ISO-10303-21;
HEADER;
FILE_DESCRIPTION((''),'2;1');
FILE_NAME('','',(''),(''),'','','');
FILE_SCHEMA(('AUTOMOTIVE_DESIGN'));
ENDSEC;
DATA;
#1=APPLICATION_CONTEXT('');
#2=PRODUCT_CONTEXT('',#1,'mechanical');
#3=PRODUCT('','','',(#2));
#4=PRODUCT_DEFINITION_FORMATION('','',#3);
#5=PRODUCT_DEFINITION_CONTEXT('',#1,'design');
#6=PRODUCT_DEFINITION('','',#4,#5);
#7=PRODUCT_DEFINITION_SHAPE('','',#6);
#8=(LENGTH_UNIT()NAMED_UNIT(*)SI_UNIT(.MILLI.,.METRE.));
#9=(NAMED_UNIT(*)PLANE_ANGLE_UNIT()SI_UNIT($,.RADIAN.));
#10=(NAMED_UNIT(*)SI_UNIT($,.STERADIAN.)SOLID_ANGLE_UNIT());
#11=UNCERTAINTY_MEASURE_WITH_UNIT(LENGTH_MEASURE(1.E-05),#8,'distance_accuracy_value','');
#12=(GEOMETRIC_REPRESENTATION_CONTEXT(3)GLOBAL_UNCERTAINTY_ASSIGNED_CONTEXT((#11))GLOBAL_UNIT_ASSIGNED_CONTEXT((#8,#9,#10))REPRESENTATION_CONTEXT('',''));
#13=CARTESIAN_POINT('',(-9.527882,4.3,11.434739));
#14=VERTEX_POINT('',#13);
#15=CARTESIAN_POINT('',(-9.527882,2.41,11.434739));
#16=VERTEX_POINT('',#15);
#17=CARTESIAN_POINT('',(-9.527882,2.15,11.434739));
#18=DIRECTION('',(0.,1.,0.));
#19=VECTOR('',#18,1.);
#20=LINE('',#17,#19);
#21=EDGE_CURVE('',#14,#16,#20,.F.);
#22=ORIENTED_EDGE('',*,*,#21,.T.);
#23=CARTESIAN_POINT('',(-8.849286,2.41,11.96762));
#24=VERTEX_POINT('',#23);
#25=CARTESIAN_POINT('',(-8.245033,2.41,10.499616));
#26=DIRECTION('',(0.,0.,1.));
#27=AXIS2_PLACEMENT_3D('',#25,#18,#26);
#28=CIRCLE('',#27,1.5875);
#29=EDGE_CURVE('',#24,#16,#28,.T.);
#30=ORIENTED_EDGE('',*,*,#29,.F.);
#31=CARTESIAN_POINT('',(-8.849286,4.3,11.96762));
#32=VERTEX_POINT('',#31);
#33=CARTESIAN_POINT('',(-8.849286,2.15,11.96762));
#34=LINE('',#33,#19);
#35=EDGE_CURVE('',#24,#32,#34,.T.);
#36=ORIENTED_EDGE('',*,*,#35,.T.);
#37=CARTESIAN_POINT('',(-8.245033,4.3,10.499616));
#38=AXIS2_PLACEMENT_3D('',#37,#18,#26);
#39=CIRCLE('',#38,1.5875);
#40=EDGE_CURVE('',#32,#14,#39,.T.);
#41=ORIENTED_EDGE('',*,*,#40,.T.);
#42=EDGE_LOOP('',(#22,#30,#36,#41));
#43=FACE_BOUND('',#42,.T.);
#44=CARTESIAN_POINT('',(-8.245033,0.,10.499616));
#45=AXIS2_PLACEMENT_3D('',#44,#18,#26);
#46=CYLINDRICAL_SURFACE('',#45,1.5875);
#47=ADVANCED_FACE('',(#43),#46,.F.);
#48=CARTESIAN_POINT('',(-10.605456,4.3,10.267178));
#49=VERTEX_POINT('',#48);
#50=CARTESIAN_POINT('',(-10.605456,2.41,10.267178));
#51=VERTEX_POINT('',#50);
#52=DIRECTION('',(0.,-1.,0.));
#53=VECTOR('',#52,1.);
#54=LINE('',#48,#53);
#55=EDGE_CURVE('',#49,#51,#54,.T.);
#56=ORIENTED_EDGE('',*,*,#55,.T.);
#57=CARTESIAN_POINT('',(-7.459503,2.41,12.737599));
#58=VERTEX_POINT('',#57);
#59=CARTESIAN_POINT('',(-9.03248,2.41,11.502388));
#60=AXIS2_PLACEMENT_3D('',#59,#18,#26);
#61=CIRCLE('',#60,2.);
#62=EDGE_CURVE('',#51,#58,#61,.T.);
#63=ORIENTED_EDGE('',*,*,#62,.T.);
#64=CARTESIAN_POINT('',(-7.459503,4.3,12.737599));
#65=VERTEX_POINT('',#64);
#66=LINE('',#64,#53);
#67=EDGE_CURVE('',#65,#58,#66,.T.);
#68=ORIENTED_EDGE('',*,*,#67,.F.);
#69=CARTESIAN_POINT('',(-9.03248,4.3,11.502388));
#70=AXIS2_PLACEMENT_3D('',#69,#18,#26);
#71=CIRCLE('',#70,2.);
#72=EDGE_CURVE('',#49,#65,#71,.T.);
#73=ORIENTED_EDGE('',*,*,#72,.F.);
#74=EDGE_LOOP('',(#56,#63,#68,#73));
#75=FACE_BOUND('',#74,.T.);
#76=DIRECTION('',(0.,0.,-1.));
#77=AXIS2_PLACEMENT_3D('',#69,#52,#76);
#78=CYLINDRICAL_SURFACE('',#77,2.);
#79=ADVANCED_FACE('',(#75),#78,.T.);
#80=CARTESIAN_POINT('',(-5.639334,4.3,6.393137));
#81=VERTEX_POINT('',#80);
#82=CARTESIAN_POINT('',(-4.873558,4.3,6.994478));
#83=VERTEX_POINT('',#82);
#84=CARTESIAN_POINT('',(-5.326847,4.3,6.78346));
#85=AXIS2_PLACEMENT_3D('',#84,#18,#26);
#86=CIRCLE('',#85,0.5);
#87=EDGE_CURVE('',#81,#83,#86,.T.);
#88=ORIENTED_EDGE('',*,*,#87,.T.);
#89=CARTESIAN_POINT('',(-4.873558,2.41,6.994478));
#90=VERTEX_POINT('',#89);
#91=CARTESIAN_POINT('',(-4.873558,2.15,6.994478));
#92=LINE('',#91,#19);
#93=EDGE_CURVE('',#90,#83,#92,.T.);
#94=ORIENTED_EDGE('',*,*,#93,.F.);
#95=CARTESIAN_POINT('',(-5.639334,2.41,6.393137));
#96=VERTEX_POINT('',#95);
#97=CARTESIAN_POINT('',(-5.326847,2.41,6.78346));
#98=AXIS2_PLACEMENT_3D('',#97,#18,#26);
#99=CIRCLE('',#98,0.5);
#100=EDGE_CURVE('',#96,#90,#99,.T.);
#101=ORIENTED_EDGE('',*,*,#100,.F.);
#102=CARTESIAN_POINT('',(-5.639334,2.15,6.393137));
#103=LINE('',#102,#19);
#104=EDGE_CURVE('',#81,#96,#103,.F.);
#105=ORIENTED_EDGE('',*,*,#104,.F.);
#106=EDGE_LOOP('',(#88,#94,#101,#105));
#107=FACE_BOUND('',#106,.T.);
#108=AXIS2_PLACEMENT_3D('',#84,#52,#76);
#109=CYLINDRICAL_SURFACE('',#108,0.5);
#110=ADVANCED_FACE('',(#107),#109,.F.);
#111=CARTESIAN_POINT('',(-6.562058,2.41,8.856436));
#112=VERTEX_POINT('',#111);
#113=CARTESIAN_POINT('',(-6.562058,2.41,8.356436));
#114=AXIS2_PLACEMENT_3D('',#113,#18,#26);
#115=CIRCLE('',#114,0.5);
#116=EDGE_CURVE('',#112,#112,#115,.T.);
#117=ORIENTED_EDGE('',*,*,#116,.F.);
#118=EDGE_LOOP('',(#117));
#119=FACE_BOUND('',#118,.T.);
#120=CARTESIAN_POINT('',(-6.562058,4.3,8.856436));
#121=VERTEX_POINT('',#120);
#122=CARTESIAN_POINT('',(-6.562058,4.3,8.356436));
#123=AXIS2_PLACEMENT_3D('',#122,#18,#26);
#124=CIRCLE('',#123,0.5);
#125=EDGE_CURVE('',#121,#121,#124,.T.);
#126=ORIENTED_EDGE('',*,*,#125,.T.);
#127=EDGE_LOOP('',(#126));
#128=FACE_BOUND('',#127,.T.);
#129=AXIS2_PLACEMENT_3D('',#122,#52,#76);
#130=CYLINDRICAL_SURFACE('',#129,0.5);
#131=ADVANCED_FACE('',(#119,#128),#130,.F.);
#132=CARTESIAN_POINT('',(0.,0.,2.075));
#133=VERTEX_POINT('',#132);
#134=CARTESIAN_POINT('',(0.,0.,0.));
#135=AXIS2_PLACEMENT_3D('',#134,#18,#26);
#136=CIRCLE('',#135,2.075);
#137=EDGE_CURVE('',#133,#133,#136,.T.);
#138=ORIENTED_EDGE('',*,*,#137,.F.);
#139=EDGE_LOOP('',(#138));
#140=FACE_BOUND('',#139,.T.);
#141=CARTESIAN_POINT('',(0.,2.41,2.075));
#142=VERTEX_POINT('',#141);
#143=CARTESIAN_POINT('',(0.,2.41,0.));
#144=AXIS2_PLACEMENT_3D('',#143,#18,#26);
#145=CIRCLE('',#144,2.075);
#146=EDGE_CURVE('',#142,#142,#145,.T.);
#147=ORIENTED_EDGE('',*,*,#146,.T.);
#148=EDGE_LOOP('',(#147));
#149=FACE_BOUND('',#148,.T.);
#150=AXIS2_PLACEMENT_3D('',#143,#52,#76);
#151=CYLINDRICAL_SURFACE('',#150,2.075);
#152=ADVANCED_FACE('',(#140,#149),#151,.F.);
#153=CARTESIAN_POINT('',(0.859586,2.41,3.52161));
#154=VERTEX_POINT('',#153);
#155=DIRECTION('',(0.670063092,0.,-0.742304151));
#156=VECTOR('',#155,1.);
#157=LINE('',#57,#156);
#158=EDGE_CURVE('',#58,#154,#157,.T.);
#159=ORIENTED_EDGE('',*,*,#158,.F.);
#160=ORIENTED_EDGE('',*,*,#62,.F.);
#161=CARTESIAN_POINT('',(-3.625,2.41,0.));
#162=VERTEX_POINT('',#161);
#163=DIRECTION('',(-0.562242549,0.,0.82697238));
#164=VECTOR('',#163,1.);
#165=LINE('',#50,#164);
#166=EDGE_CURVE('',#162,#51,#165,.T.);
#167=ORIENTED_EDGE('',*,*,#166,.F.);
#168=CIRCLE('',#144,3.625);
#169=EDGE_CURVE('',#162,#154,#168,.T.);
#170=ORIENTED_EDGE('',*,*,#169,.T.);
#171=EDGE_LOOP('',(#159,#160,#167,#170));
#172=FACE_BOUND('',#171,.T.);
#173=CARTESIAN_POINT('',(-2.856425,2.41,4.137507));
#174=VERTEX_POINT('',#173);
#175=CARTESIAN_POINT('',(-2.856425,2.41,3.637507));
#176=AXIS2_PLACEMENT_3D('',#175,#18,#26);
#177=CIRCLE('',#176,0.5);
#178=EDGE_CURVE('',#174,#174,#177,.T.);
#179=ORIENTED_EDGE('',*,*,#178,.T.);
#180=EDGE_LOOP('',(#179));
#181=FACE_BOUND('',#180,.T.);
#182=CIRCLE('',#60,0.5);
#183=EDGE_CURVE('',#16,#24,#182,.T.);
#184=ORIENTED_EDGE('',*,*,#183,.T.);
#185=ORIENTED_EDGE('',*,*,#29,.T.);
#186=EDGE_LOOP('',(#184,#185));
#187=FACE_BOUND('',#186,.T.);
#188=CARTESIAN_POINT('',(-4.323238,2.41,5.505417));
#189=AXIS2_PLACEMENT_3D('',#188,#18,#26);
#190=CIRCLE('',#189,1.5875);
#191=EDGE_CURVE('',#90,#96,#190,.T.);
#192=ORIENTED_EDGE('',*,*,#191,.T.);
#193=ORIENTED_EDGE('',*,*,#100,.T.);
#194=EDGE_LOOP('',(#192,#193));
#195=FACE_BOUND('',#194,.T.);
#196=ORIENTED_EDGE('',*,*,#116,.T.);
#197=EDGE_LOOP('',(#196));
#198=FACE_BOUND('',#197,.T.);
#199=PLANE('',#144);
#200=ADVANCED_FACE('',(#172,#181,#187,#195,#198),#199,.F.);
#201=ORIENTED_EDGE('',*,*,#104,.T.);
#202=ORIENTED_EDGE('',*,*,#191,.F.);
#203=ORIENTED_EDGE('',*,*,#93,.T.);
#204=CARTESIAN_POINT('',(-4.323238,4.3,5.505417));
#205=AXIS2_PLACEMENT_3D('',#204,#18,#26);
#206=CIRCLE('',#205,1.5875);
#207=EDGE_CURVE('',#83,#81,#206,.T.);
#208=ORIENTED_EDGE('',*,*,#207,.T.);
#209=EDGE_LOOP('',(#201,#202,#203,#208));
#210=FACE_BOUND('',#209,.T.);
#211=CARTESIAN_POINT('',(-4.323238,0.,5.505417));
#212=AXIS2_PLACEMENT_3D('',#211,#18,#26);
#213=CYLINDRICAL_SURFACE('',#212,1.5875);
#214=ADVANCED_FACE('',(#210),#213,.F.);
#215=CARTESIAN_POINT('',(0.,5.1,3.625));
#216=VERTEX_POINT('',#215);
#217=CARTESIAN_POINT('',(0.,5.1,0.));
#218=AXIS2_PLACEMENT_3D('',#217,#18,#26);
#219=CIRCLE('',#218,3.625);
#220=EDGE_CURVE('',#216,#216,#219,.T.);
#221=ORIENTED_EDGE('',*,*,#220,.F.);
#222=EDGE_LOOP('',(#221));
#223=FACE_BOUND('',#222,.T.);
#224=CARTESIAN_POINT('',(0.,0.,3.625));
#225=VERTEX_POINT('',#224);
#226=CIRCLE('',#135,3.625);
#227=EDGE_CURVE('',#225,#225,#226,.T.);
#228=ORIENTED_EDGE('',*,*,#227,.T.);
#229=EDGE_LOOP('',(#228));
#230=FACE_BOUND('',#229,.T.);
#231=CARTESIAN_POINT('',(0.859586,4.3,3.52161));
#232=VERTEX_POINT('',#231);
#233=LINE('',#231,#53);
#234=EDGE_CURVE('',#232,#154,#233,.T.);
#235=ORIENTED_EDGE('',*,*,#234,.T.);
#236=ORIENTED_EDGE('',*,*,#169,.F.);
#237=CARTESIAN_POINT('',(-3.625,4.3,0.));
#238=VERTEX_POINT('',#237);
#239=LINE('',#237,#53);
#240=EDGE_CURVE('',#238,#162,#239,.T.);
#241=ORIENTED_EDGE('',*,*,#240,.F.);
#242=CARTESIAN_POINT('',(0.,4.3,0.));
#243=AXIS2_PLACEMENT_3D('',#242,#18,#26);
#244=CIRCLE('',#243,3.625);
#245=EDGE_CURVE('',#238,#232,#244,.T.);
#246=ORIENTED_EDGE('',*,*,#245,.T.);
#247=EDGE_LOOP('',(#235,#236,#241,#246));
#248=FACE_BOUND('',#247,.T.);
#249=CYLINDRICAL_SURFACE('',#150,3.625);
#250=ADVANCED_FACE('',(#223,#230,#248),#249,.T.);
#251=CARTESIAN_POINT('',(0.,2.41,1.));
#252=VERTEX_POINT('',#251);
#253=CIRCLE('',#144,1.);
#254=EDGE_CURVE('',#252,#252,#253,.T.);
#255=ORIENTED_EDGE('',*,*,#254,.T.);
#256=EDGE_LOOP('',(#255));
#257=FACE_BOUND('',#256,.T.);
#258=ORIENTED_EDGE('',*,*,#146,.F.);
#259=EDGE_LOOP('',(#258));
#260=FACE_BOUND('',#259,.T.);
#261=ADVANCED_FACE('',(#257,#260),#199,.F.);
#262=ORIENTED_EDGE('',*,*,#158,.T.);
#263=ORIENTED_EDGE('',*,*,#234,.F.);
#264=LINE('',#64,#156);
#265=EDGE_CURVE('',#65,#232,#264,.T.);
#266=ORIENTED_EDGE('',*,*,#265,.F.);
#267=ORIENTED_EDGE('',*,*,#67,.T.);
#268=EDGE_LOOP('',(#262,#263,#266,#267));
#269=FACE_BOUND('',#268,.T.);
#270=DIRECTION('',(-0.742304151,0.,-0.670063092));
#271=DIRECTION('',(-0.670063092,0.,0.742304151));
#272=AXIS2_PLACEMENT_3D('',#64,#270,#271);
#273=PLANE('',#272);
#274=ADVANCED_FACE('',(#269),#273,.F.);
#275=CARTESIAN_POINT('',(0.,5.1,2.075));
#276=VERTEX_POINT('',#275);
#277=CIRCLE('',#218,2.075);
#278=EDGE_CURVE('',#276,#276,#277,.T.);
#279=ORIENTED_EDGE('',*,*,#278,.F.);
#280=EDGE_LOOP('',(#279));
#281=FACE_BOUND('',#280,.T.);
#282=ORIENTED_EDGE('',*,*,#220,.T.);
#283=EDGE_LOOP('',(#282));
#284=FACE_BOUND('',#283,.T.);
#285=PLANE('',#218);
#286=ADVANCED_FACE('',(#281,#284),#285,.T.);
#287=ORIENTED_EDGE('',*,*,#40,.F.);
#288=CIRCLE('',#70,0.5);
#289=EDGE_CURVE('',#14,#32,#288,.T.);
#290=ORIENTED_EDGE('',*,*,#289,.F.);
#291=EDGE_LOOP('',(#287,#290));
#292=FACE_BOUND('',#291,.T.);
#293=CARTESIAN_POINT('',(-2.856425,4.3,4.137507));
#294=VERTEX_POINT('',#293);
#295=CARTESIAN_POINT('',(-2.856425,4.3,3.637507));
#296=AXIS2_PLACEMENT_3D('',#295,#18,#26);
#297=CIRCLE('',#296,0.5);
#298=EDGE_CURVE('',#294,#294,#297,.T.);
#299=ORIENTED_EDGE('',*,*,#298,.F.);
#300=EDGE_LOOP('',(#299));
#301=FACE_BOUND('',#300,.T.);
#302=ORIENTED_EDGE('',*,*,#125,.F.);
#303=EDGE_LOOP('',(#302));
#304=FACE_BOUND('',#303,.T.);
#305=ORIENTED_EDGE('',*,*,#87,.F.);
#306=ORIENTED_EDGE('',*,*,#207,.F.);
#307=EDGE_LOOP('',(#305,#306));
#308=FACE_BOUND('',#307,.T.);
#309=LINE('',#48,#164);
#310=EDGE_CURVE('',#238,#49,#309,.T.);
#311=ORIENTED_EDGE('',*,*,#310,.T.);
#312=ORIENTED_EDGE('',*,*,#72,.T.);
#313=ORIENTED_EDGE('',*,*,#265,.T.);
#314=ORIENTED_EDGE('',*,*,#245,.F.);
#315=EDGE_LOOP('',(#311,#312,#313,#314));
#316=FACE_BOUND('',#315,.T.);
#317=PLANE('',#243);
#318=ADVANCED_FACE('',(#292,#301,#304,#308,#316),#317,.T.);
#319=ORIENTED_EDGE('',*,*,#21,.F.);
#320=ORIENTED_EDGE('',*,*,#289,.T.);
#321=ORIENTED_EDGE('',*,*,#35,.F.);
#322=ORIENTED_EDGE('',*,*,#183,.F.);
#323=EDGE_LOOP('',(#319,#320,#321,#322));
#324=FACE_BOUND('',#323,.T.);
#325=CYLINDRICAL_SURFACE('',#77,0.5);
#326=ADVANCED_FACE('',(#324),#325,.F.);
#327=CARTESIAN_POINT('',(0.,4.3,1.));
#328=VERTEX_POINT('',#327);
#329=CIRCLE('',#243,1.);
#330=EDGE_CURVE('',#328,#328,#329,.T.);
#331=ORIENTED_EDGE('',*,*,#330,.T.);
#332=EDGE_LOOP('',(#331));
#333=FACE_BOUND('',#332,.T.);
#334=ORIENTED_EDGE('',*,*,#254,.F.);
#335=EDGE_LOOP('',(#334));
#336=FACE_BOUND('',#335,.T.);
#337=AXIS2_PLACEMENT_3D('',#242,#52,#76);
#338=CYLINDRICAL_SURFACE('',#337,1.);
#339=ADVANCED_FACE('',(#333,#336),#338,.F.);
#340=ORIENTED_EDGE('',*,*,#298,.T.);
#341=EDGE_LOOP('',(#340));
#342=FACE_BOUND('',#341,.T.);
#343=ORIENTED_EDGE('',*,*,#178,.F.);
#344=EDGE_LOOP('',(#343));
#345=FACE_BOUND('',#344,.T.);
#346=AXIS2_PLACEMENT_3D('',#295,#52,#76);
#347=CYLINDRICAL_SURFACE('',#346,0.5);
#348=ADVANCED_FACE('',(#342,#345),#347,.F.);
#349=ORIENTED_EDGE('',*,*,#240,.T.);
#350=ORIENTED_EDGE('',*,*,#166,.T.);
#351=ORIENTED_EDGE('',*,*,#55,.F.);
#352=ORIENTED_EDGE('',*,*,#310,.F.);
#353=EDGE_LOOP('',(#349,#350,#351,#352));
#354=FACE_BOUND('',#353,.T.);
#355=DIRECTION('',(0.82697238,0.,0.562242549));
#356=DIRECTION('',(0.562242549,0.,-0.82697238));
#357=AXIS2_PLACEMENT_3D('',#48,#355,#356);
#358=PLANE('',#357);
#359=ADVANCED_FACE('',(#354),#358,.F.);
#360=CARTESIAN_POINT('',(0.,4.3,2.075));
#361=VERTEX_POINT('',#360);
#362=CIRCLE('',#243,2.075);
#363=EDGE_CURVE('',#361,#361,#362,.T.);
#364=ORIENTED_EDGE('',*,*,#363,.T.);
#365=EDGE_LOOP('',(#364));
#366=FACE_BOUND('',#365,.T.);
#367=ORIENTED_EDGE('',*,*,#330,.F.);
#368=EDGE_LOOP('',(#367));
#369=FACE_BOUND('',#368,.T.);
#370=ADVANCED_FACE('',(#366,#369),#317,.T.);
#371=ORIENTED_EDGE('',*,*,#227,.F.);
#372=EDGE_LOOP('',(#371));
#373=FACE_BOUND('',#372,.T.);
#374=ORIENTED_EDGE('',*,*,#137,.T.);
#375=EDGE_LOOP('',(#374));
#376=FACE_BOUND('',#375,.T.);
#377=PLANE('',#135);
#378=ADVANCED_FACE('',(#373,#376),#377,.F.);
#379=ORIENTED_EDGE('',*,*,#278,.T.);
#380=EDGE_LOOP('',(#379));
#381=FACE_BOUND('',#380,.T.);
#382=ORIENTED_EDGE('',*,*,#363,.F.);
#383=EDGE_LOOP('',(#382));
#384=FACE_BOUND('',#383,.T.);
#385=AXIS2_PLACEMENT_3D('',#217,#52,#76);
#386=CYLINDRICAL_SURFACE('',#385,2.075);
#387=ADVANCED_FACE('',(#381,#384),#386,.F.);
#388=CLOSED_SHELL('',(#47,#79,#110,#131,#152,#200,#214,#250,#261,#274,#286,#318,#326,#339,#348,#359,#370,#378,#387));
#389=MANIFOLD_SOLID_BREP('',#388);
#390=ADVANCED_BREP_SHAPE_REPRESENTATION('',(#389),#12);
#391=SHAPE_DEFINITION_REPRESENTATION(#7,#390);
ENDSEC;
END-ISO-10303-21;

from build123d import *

# Parameters (mm, degrees)
SKETCH1_R           = 3.625
SKETCH1_R_2         = 2.075
BOSS_EXTRUDE1_DEPTH = 2.41
SKETCH2_R           = 1
SKETCH2_R_2         = 0.5
BOSS_EXTRUDE3_DEPTH = 1.89
BOSS_EXTRUDE4_START = 4.3
SKETCH1_2_R         = 3.625
SKETCH1_2_R_2       = 2.075
BOSS_EXTRUDE4_DEPTH = 0.8
SKETCH3_R           = 1.5875
CUT_EXTRUDE1_DEPTH  = 18.958844524


with BuildPart() as part:
    # Sketch1 → Boss-Extrude1 (new body)
    with BuildSketch(Plane(origin=(0, 0, 0), x_dir=(1, 0, 0), z_dir=(0, 1, 0))):
        with Locations(Location((0, 0, 0), (0, 0, 270))):
            Circle(SKETCH1_R)
        with Locations(Location((0, 0, 0), (0, 0, 270))):
            Circle(SKETCH1_R_2, mode=Mode.SUBTRACT)
    extrude(amount=BOSS_EXTRUDE1_DEPTH)

    # Sketch2 → Boss-Extrude3 (add)
    with BuildSketch(Plane(origin=(0, 2.41, 0), x_dir=(1, 0, 0), z_dir=(0, 1, 0))):
        with BuildLine():
            Line((-10.6054557, -10.267177528), (-3.625, 0))
            ThreePointArc((-3.625, 0), (2.238819707, 2.851019347), (0.859585555, -3.521610097))
            Line((0.859585555, -3.521610097), (-7.459503317, -12.737599274))
            ThreePointArc((-7.459503317, -12.737599274), (-10.267690381, -13.075364593), (-10.6054557, -10.267177528))
        make_face()
        with Locations(Location((0, 0, 0), (0, 0, 270))):
            Circle(SKETCH2_R, mode=Mode.SUBTRACT)
        with Locations(Location((-9.032479508, -11.502388401, 0), (0, 0, 270))):
            Circle(SKETCH2_R_2, mode=Mode.SUBTRACT)
        with Locations(Location((-7.797268635, -9.92941221, 0), (0, 0, 270))):
            Circle(SKETCH2_R_2, mode=Mode.SUBTRACT)
        with Locations(Location((-6.562057762, -8.356436018, 0), (0, 0, 270))):
            Circle(SKETCH2_R_2, mode=Mode.SUBTRACT)
        with Locations(Location((-5.32684689, -6.783459826, 0), (0, 0, 270))):
            Circle(SKETCH2_R_2, mode=Mode.SUBTRACT)
        with Locations(Location((-4.091636017, -5.210483635, 0), (0, 0, 270))):
            Circle(SKETCH2_R_2, mode=Mode.SUBTRACT)
        with Locations(Location((-2.856425144, -3.637507443, 0), (0, 0, 270))):
            Circle(SKETCH2_R_2, mode=Mode.SUBTRACT)
    extrude(amount=BOSS_EXTRUDE3_DEPTH)

    # Sketch1<2> → Boss-Extrude4 (add)
    with BuildSketch(Plane(origin=(0, 0, 0), x_dir=(1, 0, 0), z_dir=(0, 1, 0)).offset(BOSS_EXTRUDE4_START)):
        with Locations(Location((0, 0, 0), (0, 0, 270))):
            Circle(SKETCH1_2_R)
        with Locations(Location((0, 0, 0), (0, 0, 270))):
            Circle(SKETCH1_2_R_2, mode=Mode.SUBTRACT)
    extrude(amount=BOSS_EXTRUDE4_DEPTH)

    # Sketch3 → Cut-Extrude1 (cut, through all)
    with BuildSketch(Plane(origin=(0, 4.3, 0), x_dir=(1, 0, 0), z_dir=(0, 1, 0))):
        with Locations((-8.245032577, -10.499616079)):
            Circle(SKETCH3_R)
        with Locations((-4.323238055, -5.505416671)):
            Circle(SKETCH3_R)
    extrude(amount=-CUT_EXTRUDE1_DEPTH, mode=Mode.SUBTRACT)


solid = part.part
